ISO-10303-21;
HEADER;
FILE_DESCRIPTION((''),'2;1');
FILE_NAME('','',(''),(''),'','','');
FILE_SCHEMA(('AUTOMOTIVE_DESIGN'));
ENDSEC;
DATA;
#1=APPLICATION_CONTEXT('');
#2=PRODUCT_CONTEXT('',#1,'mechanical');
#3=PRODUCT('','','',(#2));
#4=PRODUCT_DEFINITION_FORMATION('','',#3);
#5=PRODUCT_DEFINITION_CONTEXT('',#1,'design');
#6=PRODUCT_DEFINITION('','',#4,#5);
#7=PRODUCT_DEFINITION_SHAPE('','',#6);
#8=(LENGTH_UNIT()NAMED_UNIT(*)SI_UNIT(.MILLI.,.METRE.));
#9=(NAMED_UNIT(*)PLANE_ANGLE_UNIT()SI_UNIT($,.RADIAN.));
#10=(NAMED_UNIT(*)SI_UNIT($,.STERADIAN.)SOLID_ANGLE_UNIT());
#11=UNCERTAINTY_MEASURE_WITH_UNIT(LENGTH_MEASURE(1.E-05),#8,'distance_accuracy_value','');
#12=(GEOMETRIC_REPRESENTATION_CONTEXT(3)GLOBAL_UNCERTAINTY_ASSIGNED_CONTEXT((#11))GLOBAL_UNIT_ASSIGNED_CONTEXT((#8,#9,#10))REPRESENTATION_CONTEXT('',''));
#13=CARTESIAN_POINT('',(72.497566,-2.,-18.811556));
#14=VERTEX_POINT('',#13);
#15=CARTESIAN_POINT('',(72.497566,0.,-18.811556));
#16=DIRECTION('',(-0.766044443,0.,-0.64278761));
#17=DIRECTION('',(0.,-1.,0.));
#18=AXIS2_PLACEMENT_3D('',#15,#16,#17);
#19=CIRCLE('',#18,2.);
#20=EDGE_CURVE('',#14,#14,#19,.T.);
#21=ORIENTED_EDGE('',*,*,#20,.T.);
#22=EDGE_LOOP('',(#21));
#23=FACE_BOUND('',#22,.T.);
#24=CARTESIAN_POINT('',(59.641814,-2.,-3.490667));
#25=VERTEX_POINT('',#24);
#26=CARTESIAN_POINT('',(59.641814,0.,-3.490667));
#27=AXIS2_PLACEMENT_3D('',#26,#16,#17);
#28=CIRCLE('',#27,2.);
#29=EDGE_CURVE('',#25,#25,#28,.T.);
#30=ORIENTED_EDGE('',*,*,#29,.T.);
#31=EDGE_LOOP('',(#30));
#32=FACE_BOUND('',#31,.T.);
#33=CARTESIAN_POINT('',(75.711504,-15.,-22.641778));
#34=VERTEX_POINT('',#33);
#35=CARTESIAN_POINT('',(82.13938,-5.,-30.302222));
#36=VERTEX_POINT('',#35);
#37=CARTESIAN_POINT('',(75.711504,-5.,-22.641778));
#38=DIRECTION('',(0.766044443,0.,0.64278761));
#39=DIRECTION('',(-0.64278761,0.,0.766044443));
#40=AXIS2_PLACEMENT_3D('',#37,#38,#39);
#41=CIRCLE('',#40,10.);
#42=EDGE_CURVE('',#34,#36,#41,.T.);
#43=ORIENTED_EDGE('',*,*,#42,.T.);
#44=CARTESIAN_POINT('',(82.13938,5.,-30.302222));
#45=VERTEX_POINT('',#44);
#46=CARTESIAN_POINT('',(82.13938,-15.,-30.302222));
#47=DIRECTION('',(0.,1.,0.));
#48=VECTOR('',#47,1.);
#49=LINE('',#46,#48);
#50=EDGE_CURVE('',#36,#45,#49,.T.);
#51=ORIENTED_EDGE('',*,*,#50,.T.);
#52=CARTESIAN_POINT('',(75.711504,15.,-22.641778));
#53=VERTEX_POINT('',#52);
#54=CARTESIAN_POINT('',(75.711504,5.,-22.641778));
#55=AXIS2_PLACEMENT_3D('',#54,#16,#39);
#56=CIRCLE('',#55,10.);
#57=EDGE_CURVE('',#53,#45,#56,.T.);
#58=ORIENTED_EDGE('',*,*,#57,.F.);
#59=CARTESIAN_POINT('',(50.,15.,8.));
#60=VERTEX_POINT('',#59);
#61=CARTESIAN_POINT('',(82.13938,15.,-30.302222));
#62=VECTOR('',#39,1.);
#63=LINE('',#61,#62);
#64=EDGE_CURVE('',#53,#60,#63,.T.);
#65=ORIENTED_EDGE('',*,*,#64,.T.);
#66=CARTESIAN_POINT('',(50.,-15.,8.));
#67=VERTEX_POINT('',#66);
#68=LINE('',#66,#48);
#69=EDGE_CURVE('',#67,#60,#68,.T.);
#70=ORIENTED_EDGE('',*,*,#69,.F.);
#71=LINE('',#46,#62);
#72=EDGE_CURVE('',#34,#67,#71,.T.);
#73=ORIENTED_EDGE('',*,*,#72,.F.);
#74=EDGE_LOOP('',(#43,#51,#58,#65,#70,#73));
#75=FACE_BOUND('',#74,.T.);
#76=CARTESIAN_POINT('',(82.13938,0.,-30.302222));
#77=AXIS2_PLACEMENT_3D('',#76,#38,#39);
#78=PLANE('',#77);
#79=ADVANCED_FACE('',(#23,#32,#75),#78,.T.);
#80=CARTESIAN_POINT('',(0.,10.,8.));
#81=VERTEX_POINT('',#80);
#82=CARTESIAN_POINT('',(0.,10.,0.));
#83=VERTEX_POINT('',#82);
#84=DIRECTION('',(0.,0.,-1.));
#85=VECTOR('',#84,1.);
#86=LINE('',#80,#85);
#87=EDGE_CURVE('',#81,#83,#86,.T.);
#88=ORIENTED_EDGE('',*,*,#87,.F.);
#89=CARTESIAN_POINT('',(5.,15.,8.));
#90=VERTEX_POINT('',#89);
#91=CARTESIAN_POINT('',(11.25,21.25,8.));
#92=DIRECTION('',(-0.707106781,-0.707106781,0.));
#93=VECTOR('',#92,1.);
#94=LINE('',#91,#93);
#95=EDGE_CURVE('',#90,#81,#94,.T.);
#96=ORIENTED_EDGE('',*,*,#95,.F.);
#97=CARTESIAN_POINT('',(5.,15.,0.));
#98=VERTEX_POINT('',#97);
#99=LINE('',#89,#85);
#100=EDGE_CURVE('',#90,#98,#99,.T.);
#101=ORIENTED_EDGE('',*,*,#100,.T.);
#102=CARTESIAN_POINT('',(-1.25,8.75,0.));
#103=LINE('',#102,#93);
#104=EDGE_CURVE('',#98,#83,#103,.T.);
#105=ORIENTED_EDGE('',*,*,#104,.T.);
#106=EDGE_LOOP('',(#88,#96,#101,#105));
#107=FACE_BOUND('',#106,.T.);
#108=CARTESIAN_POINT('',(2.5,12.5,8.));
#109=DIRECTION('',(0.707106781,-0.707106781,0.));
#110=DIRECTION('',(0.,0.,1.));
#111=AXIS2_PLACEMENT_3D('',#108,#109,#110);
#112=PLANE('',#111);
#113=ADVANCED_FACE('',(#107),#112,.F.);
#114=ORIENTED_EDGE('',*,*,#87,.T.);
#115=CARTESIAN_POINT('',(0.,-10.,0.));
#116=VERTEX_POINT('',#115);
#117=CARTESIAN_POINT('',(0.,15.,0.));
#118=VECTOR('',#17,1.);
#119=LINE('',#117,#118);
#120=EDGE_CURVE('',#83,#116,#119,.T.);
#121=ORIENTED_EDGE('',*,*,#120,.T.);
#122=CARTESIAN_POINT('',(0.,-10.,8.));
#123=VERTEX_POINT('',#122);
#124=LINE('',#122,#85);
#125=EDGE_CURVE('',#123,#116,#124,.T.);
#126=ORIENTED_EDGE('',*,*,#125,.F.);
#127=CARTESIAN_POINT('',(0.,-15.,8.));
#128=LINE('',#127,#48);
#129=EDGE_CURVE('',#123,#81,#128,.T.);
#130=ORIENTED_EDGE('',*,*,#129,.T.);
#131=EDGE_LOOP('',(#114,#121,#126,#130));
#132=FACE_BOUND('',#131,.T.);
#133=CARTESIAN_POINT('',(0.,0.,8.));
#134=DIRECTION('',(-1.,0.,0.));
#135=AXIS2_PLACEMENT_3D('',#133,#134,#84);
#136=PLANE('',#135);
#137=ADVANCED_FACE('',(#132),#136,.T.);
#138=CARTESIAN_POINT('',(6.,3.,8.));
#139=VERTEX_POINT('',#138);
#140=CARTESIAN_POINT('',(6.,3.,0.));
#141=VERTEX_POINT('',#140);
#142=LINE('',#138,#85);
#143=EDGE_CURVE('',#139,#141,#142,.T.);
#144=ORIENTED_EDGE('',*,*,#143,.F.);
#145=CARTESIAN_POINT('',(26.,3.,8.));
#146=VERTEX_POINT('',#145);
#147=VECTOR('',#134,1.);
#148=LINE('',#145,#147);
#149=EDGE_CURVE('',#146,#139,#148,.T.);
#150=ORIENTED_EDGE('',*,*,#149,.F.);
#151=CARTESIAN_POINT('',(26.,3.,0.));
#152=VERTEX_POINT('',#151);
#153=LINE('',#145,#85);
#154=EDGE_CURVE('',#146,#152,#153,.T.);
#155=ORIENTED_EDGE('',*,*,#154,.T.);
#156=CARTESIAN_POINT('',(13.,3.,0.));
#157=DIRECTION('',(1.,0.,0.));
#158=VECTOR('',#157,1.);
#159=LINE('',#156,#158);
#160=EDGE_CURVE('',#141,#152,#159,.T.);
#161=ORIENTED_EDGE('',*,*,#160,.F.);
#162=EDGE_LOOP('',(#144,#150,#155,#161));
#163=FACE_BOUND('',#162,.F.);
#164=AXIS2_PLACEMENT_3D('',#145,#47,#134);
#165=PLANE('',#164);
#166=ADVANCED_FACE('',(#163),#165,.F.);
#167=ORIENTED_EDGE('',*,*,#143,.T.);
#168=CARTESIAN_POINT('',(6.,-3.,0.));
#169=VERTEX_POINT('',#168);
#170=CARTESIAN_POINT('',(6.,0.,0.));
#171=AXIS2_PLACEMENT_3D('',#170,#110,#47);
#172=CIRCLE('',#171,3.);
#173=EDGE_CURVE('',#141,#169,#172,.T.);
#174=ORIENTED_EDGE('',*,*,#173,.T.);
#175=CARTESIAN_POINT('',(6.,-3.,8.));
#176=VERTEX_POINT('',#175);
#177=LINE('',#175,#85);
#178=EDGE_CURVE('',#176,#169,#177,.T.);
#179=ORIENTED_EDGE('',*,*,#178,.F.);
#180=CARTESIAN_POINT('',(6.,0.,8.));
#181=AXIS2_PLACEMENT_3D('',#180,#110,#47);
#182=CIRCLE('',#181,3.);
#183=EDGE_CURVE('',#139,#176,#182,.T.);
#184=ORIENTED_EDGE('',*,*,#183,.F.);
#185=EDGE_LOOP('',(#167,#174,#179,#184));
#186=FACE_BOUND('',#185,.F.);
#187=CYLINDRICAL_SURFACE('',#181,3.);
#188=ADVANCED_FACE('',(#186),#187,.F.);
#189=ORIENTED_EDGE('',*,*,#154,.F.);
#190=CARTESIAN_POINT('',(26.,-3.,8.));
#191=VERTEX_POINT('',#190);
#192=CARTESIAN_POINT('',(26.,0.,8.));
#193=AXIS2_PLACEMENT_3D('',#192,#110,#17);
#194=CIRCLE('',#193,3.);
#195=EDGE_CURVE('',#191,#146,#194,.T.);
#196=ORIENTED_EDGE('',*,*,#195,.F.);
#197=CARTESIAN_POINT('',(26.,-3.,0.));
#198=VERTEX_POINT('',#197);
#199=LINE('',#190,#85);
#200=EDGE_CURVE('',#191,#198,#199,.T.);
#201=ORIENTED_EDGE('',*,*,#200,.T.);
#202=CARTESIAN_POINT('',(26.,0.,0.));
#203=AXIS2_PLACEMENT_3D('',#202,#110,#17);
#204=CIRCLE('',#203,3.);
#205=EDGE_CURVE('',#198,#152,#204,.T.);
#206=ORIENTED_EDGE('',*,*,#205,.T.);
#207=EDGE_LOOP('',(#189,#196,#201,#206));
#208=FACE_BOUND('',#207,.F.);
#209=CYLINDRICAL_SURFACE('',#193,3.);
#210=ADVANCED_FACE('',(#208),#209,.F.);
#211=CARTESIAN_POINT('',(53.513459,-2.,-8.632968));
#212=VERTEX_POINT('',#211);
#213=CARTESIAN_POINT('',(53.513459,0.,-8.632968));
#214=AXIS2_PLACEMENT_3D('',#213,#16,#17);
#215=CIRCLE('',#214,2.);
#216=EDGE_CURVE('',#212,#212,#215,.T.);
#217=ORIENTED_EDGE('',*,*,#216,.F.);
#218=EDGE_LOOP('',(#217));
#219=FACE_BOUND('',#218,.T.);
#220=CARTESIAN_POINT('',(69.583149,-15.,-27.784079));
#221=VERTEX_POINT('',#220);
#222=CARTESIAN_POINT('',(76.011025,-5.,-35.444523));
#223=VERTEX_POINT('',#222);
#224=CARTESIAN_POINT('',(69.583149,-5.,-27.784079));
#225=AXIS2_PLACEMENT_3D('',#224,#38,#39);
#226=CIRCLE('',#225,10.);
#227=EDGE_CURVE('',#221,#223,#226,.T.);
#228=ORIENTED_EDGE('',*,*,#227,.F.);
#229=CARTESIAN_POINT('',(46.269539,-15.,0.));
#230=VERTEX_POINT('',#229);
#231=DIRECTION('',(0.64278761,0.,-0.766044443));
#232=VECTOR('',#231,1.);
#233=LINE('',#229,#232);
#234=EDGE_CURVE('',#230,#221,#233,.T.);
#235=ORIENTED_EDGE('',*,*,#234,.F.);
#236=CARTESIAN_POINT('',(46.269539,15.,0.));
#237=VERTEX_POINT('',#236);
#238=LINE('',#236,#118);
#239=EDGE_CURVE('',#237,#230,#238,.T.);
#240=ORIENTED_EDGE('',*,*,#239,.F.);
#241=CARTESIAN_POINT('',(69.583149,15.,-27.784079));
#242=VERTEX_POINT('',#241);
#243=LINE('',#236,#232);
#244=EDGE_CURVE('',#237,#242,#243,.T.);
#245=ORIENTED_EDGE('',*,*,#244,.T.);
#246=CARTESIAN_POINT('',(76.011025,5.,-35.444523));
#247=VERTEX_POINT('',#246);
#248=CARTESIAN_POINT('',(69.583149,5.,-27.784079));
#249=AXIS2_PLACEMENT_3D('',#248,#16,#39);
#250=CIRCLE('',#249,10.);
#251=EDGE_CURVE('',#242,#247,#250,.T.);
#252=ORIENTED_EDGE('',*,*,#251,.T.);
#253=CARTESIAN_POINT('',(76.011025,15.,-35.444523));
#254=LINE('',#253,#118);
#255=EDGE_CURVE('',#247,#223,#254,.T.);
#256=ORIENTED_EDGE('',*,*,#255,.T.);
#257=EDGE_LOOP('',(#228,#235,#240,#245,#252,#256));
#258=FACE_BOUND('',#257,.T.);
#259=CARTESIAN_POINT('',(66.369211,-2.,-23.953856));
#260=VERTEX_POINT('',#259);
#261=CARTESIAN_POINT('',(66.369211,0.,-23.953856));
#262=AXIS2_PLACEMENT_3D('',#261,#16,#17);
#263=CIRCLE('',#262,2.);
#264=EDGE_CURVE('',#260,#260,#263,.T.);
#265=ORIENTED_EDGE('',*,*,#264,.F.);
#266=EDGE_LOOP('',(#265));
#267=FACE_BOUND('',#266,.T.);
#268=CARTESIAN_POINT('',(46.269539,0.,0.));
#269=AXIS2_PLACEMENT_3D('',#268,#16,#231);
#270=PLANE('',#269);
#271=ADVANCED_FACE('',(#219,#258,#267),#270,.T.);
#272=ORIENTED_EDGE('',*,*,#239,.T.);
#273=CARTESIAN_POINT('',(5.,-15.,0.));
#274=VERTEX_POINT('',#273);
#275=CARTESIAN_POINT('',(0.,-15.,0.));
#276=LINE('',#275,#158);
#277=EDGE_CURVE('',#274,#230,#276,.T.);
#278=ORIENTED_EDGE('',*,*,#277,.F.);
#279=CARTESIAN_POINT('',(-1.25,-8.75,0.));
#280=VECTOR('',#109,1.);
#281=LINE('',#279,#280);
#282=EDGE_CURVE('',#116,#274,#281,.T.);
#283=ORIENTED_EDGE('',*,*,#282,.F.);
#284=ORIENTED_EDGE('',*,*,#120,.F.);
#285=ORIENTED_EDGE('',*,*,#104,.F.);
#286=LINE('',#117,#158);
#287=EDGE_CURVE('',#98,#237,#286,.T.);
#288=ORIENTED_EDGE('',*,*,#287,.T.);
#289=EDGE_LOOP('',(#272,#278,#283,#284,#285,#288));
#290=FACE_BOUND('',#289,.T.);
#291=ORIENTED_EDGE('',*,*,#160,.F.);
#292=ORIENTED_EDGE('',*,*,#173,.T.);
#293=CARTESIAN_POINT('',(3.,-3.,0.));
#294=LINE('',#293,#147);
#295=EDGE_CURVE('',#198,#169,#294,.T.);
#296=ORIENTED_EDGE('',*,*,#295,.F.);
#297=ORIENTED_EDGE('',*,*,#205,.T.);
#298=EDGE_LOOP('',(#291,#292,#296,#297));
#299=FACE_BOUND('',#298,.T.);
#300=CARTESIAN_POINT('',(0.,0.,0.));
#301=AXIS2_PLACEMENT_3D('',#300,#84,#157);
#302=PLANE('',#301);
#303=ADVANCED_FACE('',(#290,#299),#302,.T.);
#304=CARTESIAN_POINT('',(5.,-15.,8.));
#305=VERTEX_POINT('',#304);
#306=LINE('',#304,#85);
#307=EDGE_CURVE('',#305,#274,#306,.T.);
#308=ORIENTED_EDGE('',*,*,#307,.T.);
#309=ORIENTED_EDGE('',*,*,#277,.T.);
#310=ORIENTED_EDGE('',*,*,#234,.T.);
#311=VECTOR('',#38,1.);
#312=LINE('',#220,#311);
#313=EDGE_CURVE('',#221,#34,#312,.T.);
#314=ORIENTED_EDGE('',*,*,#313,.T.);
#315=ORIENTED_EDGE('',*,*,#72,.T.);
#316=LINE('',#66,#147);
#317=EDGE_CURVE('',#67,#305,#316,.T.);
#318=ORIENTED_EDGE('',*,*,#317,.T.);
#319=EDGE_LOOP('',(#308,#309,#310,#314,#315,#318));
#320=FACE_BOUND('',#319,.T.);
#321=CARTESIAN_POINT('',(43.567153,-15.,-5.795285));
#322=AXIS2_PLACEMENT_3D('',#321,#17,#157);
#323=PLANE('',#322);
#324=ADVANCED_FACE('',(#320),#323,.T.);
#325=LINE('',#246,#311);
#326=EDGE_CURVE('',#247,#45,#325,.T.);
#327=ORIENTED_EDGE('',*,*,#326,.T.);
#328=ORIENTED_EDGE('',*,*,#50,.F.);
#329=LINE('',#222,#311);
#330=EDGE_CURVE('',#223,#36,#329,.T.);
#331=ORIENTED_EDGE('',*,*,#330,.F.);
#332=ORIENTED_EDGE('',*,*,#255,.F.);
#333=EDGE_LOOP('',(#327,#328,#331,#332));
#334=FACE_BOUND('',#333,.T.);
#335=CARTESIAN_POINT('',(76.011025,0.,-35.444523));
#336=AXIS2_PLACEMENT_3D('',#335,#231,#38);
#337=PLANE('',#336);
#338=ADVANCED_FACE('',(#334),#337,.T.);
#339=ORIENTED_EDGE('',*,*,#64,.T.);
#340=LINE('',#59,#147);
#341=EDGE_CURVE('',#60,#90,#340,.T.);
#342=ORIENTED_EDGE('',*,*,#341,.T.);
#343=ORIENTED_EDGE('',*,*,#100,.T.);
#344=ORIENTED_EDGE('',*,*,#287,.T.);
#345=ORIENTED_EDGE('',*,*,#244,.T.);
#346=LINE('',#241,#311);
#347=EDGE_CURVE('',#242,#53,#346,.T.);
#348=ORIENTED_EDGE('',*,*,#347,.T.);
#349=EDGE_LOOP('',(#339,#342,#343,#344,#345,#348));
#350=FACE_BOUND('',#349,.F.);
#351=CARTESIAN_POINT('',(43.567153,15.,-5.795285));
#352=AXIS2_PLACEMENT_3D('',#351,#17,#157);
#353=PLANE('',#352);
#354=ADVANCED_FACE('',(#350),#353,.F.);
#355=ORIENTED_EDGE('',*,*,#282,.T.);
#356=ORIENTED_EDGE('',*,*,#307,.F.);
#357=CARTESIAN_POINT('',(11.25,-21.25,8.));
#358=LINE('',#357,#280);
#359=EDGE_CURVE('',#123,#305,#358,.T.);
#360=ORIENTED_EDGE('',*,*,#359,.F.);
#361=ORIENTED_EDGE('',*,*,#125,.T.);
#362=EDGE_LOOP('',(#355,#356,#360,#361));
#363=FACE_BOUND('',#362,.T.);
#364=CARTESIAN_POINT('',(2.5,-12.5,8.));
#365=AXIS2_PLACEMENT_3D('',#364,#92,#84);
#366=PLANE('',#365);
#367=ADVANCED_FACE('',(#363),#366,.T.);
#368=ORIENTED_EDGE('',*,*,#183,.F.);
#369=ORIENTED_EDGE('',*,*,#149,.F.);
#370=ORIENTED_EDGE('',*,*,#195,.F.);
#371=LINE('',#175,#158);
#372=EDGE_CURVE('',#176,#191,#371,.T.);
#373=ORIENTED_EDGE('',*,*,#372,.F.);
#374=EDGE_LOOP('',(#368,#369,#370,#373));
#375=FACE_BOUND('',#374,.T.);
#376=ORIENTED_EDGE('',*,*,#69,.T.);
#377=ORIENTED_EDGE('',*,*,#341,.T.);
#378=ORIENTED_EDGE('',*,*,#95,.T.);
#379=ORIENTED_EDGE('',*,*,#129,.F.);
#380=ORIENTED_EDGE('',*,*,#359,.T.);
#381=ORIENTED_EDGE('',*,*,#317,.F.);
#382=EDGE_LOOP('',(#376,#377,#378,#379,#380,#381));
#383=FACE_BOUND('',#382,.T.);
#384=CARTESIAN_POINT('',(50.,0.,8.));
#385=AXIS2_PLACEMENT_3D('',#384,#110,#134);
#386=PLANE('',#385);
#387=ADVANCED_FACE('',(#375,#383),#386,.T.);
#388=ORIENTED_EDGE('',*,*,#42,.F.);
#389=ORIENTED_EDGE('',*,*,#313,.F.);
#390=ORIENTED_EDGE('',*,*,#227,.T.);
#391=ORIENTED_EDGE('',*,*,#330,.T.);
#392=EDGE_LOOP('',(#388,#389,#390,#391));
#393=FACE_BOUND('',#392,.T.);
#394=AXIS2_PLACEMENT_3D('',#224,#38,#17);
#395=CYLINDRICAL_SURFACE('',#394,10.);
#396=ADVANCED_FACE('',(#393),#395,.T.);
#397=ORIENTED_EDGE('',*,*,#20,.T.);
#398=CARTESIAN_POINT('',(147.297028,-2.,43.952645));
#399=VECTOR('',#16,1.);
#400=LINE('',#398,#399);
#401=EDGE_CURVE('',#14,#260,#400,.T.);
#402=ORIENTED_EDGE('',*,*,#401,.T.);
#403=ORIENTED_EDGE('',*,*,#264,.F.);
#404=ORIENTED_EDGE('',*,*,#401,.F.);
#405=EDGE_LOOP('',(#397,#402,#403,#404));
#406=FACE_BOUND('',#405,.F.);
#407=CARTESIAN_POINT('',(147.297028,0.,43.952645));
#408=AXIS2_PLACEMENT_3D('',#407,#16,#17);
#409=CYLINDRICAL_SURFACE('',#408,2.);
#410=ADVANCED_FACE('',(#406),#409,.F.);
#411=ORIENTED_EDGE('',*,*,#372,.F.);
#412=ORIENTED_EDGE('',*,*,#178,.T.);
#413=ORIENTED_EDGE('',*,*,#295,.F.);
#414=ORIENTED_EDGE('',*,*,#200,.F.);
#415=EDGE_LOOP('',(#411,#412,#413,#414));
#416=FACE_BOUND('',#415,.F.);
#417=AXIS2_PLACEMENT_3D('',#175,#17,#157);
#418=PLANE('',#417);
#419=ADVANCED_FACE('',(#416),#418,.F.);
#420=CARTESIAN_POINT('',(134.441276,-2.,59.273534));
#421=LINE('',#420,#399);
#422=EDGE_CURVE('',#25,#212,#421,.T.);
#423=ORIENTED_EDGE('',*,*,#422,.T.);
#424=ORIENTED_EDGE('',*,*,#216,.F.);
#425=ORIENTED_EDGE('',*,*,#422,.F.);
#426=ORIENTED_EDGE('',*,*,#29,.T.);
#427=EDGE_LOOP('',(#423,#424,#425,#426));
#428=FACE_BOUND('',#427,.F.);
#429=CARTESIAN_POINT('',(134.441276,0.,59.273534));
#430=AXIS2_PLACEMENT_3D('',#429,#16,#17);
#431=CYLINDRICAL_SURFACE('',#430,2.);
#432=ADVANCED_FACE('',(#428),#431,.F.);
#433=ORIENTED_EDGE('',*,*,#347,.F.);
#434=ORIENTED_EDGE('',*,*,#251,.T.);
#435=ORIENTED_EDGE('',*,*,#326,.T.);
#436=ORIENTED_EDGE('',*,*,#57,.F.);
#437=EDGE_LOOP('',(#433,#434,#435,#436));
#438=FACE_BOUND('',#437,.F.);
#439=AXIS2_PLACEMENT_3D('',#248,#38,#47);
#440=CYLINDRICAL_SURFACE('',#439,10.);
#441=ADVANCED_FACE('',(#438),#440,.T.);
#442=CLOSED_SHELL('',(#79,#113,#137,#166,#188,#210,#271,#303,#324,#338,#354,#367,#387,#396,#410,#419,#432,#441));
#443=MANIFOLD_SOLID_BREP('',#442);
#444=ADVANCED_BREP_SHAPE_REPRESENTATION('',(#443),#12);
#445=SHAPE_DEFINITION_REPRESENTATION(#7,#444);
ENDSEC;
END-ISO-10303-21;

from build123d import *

# Parameters (mm, degrees)
F1_DEPTH = 15
F3_DEPTH = 43.4455230334
F5_D     = 4
F6_R     = 10
F7_SIZE  = 5


with BuildPart() as f1:
    # F0 (on Front) → F1 (new body, symmetric)
    with BuildSketch(Plane.XZ):
        Polygon((0, 8), (0, 0), (46.2695387348, 0), (76.0110249394, -35.4445230334), (82.1393804843, -30.3022221559), (50, 8), align=None)
    extrude(amount=F1_DEPTH, both=True)

    # F2 (on face) → F3 (cut, through all)
    with BuildSketch(Plane.XY.offset(8)):
        with BuildLine():
            ThreePointArc((6, 3), (3, 0), (6, -3))
            Line((6, -3), (26, -3))
            ThreePointArc((26, -3), (29, 0), (26, 3))
            Line((26, 3), (6, 3))
        make_face()
    extrude(amount=-F3_DEPTH, mode=Mode.SUBTRACT)

    # F5 (through all)
    with Locations(Plane(origin=(33.2804354537, 0, 27.9256011146), x_dir=(0, 1, 0), z_dir=(0.7660444431, 0, 0.6427876097))):
        with Locations((0, -41.0110249394), (0, -61.0110249394)):
            Hole(F5_D / 2)

    # F6
    f6_edges = [f1.edges().sort_by_distance(p)[0] for p in [
        (79.075203, -15, -32.873373),
        (79.075203, 15, -32.873373),
    ]]
    fillet(f6_edges, radius=F6_R)

    # F7
    f7_edges = [f1.edges().sort_by_distance(p)[0] for p in [
        (0, -15, 4),
        (0, 15, 4),
    ]]
    chamfer(f7_edges, length=F7_SIZE)


solid = f1.part
